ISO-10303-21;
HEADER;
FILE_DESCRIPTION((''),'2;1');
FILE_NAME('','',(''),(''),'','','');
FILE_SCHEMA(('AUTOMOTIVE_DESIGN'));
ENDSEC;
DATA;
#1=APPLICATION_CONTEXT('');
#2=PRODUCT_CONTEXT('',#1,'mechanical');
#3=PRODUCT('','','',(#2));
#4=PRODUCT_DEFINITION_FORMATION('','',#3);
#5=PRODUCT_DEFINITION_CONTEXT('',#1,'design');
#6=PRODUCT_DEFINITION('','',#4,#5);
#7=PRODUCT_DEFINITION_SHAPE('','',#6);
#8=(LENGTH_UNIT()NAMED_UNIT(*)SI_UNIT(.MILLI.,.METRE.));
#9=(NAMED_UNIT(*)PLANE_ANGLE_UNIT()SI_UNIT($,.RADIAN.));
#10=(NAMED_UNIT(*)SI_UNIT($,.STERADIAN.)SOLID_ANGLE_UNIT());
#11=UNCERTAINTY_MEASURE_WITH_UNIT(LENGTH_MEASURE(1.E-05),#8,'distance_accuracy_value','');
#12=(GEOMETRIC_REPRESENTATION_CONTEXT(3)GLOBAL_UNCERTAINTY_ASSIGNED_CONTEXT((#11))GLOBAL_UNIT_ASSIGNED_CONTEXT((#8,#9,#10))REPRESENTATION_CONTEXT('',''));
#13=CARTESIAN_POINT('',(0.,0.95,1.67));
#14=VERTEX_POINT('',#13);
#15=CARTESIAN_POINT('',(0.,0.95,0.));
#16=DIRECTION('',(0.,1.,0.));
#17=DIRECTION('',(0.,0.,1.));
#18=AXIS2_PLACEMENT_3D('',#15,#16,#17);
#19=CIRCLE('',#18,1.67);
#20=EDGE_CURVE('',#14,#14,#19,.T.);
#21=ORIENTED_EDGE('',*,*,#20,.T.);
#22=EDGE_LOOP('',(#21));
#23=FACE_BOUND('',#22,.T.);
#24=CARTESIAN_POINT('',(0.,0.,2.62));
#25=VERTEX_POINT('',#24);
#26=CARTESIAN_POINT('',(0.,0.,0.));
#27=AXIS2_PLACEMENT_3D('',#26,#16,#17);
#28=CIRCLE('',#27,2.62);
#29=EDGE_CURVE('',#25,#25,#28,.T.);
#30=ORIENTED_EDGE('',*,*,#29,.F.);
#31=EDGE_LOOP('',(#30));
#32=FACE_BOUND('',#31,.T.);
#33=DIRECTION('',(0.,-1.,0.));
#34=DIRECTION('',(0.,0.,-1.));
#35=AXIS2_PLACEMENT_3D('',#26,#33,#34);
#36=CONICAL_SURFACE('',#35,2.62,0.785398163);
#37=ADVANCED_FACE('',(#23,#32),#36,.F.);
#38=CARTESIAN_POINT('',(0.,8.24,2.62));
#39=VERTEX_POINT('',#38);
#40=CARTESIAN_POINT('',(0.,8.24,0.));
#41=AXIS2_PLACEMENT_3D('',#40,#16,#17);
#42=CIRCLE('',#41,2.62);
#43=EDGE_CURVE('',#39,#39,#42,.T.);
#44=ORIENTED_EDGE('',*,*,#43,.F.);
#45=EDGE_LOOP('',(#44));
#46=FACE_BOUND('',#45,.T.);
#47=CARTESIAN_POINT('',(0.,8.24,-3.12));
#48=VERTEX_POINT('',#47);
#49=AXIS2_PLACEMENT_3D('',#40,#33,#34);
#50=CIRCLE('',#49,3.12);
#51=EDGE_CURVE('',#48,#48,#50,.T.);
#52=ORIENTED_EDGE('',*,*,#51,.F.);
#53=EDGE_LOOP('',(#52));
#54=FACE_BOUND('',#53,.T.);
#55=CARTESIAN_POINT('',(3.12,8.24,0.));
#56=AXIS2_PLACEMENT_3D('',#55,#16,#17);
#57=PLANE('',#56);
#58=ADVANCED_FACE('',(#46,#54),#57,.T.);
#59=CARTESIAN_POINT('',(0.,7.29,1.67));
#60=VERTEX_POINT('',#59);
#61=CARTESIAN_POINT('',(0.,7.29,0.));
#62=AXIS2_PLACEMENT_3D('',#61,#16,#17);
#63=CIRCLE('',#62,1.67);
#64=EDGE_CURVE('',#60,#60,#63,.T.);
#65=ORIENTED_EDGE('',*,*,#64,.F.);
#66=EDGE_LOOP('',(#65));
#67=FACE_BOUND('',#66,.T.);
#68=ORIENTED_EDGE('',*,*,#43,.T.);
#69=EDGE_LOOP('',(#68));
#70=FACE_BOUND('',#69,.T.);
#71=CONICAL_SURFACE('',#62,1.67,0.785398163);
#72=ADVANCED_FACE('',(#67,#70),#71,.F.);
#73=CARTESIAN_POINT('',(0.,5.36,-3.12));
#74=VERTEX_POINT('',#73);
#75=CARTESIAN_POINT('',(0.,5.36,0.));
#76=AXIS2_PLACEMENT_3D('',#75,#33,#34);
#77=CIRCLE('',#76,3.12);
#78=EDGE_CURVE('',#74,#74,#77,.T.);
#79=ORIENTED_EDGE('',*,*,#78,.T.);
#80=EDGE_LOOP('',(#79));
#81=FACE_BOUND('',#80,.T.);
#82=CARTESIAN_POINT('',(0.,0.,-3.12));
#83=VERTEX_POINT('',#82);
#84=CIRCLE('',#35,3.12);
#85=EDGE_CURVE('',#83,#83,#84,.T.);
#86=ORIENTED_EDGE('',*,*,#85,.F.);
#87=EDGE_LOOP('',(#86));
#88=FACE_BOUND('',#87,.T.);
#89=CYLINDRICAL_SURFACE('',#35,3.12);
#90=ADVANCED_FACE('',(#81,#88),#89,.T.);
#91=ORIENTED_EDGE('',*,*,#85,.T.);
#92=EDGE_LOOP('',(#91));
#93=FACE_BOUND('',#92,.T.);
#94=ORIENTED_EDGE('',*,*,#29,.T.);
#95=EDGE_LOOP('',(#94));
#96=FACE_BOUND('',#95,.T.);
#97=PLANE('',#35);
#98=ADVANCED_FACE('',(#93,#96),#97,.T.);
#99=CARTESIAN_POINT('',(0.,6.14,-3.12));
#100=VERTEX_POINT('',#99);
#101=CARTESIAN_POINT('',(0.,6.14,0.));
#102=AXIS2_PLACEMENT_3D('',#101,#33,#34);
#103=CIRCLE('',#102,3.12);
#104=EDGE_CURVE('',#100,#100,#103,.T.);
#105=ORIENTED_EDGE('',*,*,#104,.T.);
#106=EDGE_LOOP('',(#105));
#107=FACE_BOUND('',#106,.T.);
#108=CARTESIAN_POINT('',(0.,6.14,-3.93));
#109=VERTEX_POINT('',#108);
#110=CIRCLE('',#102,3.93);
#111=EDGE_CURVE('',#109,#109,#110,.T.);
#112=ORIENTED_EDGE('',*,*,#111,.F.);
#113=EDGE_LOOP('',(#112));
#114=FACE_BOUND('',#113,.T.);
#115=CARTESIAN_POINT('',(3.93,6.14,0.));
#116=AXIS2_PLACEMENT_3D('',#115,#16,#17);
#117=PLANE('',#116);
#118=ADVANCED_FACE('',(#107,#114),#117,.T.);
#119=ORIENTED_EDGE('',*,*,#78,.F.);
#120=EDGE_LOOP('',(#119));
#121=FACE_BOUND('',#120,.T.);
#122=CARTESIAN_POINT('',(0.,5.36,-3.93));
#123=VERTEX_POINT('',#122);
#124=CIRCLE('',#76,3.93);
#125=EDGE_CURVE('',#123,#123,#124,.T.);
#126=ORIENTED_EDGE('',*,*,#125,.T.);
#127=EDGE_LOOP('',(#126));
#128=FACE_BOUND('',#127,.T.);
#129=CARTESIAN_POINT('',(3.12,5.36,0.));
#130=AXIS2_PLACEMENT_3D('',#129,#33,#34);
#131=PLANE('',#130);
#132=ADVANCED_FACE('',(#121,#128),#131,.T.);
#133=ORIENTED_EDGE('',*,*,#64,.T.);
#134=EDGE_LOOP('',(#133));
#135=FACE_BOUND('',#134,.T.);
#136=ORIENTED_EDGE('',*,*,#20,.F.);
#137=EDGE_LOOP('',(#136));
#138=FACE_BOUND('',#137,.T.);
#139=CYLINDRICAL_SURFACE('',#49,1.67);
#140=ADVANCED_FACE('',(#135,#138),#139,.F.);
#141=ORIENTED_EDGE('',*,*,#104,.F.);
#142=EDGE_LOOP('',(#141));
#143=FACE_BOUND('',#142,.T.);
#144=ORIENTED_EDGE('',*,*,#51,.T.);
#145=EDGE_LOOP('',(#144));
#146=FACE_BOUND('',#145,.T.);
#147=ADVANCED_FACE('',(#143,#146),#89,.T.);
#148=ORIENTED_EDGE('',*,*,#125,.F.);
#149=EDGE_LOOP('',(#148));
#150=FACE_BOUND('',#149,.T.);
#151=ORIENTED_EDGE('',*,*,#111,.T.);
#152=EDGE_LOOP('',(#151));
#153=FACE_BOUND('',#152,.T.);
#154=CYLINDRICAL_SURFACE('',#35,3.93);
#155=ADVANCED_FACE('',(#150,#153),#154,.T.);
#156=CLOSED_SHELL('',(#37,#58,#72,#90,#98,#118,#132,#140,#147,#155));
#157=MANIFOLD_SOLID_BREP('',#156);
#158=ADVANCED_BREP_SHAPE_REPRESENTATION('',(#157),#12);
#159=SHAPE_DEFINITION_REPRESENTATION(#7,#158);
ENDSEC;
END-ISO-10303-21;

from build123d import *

# Parameters (mm, degrees)
SKETCH_2_R          = 1.67
CUT_EXTRUDE_1_DEPTH = 10.939185077


with BuildPart() as part:
    # 草图1 → 旋转1 (revolve)
    with BuildSketch(Plane.XY, mode=Mode.PRIVATE) as revolve_1_sk:
        Polygon((0, 0), (3.12, 0), (3.12, 5.36), (3.93, 5.36), (3.93, 6.14), (3.12, 6.14), (3.12, 8.24), (0, 8.24), align=None)
    revolve(revolve_1_sk.sketch.rotate(Axis((0, 0, 0), (0, 1, 0)), 90), axis=Axis((0, 0, 0), (0, 1, 0)))

    # 草图2 → 切除-拉伸1 (cut, through all)
    with BuildSketch(Plane.XZ):
        with Locations(Location((0, 0, 0), (0, 0, 270))):
            Circle(SKETCH_2_R)
    extrude(amount=-CUT_EXTRUDE_1_DEPTH, mode=Mode.SUBTRACT)

    # 草图4 → 切除-旋转1 (revolve, cut)
    with BuildSketch(Plane.XY, mode=Mode.PRIVATE) as cut_revolve_1_sk:
        Polygon((2.62, 0), (1.67, 0.95), (0, 0.95), (0, 0), align=None)
        Polygon((2.62, 8.24), (1.67, 7.29), (0, 7.29), (0, 8.24), align=None)
    revolve(cut_revolve_1_sk.sketch.rotate(Axis((0, 0, 0), (0, -1, 0)), 90), axis=Axis((0, 0, 0), (0, -1, 0)), mode=Mode.SUBTRACT)


solid = part.part
